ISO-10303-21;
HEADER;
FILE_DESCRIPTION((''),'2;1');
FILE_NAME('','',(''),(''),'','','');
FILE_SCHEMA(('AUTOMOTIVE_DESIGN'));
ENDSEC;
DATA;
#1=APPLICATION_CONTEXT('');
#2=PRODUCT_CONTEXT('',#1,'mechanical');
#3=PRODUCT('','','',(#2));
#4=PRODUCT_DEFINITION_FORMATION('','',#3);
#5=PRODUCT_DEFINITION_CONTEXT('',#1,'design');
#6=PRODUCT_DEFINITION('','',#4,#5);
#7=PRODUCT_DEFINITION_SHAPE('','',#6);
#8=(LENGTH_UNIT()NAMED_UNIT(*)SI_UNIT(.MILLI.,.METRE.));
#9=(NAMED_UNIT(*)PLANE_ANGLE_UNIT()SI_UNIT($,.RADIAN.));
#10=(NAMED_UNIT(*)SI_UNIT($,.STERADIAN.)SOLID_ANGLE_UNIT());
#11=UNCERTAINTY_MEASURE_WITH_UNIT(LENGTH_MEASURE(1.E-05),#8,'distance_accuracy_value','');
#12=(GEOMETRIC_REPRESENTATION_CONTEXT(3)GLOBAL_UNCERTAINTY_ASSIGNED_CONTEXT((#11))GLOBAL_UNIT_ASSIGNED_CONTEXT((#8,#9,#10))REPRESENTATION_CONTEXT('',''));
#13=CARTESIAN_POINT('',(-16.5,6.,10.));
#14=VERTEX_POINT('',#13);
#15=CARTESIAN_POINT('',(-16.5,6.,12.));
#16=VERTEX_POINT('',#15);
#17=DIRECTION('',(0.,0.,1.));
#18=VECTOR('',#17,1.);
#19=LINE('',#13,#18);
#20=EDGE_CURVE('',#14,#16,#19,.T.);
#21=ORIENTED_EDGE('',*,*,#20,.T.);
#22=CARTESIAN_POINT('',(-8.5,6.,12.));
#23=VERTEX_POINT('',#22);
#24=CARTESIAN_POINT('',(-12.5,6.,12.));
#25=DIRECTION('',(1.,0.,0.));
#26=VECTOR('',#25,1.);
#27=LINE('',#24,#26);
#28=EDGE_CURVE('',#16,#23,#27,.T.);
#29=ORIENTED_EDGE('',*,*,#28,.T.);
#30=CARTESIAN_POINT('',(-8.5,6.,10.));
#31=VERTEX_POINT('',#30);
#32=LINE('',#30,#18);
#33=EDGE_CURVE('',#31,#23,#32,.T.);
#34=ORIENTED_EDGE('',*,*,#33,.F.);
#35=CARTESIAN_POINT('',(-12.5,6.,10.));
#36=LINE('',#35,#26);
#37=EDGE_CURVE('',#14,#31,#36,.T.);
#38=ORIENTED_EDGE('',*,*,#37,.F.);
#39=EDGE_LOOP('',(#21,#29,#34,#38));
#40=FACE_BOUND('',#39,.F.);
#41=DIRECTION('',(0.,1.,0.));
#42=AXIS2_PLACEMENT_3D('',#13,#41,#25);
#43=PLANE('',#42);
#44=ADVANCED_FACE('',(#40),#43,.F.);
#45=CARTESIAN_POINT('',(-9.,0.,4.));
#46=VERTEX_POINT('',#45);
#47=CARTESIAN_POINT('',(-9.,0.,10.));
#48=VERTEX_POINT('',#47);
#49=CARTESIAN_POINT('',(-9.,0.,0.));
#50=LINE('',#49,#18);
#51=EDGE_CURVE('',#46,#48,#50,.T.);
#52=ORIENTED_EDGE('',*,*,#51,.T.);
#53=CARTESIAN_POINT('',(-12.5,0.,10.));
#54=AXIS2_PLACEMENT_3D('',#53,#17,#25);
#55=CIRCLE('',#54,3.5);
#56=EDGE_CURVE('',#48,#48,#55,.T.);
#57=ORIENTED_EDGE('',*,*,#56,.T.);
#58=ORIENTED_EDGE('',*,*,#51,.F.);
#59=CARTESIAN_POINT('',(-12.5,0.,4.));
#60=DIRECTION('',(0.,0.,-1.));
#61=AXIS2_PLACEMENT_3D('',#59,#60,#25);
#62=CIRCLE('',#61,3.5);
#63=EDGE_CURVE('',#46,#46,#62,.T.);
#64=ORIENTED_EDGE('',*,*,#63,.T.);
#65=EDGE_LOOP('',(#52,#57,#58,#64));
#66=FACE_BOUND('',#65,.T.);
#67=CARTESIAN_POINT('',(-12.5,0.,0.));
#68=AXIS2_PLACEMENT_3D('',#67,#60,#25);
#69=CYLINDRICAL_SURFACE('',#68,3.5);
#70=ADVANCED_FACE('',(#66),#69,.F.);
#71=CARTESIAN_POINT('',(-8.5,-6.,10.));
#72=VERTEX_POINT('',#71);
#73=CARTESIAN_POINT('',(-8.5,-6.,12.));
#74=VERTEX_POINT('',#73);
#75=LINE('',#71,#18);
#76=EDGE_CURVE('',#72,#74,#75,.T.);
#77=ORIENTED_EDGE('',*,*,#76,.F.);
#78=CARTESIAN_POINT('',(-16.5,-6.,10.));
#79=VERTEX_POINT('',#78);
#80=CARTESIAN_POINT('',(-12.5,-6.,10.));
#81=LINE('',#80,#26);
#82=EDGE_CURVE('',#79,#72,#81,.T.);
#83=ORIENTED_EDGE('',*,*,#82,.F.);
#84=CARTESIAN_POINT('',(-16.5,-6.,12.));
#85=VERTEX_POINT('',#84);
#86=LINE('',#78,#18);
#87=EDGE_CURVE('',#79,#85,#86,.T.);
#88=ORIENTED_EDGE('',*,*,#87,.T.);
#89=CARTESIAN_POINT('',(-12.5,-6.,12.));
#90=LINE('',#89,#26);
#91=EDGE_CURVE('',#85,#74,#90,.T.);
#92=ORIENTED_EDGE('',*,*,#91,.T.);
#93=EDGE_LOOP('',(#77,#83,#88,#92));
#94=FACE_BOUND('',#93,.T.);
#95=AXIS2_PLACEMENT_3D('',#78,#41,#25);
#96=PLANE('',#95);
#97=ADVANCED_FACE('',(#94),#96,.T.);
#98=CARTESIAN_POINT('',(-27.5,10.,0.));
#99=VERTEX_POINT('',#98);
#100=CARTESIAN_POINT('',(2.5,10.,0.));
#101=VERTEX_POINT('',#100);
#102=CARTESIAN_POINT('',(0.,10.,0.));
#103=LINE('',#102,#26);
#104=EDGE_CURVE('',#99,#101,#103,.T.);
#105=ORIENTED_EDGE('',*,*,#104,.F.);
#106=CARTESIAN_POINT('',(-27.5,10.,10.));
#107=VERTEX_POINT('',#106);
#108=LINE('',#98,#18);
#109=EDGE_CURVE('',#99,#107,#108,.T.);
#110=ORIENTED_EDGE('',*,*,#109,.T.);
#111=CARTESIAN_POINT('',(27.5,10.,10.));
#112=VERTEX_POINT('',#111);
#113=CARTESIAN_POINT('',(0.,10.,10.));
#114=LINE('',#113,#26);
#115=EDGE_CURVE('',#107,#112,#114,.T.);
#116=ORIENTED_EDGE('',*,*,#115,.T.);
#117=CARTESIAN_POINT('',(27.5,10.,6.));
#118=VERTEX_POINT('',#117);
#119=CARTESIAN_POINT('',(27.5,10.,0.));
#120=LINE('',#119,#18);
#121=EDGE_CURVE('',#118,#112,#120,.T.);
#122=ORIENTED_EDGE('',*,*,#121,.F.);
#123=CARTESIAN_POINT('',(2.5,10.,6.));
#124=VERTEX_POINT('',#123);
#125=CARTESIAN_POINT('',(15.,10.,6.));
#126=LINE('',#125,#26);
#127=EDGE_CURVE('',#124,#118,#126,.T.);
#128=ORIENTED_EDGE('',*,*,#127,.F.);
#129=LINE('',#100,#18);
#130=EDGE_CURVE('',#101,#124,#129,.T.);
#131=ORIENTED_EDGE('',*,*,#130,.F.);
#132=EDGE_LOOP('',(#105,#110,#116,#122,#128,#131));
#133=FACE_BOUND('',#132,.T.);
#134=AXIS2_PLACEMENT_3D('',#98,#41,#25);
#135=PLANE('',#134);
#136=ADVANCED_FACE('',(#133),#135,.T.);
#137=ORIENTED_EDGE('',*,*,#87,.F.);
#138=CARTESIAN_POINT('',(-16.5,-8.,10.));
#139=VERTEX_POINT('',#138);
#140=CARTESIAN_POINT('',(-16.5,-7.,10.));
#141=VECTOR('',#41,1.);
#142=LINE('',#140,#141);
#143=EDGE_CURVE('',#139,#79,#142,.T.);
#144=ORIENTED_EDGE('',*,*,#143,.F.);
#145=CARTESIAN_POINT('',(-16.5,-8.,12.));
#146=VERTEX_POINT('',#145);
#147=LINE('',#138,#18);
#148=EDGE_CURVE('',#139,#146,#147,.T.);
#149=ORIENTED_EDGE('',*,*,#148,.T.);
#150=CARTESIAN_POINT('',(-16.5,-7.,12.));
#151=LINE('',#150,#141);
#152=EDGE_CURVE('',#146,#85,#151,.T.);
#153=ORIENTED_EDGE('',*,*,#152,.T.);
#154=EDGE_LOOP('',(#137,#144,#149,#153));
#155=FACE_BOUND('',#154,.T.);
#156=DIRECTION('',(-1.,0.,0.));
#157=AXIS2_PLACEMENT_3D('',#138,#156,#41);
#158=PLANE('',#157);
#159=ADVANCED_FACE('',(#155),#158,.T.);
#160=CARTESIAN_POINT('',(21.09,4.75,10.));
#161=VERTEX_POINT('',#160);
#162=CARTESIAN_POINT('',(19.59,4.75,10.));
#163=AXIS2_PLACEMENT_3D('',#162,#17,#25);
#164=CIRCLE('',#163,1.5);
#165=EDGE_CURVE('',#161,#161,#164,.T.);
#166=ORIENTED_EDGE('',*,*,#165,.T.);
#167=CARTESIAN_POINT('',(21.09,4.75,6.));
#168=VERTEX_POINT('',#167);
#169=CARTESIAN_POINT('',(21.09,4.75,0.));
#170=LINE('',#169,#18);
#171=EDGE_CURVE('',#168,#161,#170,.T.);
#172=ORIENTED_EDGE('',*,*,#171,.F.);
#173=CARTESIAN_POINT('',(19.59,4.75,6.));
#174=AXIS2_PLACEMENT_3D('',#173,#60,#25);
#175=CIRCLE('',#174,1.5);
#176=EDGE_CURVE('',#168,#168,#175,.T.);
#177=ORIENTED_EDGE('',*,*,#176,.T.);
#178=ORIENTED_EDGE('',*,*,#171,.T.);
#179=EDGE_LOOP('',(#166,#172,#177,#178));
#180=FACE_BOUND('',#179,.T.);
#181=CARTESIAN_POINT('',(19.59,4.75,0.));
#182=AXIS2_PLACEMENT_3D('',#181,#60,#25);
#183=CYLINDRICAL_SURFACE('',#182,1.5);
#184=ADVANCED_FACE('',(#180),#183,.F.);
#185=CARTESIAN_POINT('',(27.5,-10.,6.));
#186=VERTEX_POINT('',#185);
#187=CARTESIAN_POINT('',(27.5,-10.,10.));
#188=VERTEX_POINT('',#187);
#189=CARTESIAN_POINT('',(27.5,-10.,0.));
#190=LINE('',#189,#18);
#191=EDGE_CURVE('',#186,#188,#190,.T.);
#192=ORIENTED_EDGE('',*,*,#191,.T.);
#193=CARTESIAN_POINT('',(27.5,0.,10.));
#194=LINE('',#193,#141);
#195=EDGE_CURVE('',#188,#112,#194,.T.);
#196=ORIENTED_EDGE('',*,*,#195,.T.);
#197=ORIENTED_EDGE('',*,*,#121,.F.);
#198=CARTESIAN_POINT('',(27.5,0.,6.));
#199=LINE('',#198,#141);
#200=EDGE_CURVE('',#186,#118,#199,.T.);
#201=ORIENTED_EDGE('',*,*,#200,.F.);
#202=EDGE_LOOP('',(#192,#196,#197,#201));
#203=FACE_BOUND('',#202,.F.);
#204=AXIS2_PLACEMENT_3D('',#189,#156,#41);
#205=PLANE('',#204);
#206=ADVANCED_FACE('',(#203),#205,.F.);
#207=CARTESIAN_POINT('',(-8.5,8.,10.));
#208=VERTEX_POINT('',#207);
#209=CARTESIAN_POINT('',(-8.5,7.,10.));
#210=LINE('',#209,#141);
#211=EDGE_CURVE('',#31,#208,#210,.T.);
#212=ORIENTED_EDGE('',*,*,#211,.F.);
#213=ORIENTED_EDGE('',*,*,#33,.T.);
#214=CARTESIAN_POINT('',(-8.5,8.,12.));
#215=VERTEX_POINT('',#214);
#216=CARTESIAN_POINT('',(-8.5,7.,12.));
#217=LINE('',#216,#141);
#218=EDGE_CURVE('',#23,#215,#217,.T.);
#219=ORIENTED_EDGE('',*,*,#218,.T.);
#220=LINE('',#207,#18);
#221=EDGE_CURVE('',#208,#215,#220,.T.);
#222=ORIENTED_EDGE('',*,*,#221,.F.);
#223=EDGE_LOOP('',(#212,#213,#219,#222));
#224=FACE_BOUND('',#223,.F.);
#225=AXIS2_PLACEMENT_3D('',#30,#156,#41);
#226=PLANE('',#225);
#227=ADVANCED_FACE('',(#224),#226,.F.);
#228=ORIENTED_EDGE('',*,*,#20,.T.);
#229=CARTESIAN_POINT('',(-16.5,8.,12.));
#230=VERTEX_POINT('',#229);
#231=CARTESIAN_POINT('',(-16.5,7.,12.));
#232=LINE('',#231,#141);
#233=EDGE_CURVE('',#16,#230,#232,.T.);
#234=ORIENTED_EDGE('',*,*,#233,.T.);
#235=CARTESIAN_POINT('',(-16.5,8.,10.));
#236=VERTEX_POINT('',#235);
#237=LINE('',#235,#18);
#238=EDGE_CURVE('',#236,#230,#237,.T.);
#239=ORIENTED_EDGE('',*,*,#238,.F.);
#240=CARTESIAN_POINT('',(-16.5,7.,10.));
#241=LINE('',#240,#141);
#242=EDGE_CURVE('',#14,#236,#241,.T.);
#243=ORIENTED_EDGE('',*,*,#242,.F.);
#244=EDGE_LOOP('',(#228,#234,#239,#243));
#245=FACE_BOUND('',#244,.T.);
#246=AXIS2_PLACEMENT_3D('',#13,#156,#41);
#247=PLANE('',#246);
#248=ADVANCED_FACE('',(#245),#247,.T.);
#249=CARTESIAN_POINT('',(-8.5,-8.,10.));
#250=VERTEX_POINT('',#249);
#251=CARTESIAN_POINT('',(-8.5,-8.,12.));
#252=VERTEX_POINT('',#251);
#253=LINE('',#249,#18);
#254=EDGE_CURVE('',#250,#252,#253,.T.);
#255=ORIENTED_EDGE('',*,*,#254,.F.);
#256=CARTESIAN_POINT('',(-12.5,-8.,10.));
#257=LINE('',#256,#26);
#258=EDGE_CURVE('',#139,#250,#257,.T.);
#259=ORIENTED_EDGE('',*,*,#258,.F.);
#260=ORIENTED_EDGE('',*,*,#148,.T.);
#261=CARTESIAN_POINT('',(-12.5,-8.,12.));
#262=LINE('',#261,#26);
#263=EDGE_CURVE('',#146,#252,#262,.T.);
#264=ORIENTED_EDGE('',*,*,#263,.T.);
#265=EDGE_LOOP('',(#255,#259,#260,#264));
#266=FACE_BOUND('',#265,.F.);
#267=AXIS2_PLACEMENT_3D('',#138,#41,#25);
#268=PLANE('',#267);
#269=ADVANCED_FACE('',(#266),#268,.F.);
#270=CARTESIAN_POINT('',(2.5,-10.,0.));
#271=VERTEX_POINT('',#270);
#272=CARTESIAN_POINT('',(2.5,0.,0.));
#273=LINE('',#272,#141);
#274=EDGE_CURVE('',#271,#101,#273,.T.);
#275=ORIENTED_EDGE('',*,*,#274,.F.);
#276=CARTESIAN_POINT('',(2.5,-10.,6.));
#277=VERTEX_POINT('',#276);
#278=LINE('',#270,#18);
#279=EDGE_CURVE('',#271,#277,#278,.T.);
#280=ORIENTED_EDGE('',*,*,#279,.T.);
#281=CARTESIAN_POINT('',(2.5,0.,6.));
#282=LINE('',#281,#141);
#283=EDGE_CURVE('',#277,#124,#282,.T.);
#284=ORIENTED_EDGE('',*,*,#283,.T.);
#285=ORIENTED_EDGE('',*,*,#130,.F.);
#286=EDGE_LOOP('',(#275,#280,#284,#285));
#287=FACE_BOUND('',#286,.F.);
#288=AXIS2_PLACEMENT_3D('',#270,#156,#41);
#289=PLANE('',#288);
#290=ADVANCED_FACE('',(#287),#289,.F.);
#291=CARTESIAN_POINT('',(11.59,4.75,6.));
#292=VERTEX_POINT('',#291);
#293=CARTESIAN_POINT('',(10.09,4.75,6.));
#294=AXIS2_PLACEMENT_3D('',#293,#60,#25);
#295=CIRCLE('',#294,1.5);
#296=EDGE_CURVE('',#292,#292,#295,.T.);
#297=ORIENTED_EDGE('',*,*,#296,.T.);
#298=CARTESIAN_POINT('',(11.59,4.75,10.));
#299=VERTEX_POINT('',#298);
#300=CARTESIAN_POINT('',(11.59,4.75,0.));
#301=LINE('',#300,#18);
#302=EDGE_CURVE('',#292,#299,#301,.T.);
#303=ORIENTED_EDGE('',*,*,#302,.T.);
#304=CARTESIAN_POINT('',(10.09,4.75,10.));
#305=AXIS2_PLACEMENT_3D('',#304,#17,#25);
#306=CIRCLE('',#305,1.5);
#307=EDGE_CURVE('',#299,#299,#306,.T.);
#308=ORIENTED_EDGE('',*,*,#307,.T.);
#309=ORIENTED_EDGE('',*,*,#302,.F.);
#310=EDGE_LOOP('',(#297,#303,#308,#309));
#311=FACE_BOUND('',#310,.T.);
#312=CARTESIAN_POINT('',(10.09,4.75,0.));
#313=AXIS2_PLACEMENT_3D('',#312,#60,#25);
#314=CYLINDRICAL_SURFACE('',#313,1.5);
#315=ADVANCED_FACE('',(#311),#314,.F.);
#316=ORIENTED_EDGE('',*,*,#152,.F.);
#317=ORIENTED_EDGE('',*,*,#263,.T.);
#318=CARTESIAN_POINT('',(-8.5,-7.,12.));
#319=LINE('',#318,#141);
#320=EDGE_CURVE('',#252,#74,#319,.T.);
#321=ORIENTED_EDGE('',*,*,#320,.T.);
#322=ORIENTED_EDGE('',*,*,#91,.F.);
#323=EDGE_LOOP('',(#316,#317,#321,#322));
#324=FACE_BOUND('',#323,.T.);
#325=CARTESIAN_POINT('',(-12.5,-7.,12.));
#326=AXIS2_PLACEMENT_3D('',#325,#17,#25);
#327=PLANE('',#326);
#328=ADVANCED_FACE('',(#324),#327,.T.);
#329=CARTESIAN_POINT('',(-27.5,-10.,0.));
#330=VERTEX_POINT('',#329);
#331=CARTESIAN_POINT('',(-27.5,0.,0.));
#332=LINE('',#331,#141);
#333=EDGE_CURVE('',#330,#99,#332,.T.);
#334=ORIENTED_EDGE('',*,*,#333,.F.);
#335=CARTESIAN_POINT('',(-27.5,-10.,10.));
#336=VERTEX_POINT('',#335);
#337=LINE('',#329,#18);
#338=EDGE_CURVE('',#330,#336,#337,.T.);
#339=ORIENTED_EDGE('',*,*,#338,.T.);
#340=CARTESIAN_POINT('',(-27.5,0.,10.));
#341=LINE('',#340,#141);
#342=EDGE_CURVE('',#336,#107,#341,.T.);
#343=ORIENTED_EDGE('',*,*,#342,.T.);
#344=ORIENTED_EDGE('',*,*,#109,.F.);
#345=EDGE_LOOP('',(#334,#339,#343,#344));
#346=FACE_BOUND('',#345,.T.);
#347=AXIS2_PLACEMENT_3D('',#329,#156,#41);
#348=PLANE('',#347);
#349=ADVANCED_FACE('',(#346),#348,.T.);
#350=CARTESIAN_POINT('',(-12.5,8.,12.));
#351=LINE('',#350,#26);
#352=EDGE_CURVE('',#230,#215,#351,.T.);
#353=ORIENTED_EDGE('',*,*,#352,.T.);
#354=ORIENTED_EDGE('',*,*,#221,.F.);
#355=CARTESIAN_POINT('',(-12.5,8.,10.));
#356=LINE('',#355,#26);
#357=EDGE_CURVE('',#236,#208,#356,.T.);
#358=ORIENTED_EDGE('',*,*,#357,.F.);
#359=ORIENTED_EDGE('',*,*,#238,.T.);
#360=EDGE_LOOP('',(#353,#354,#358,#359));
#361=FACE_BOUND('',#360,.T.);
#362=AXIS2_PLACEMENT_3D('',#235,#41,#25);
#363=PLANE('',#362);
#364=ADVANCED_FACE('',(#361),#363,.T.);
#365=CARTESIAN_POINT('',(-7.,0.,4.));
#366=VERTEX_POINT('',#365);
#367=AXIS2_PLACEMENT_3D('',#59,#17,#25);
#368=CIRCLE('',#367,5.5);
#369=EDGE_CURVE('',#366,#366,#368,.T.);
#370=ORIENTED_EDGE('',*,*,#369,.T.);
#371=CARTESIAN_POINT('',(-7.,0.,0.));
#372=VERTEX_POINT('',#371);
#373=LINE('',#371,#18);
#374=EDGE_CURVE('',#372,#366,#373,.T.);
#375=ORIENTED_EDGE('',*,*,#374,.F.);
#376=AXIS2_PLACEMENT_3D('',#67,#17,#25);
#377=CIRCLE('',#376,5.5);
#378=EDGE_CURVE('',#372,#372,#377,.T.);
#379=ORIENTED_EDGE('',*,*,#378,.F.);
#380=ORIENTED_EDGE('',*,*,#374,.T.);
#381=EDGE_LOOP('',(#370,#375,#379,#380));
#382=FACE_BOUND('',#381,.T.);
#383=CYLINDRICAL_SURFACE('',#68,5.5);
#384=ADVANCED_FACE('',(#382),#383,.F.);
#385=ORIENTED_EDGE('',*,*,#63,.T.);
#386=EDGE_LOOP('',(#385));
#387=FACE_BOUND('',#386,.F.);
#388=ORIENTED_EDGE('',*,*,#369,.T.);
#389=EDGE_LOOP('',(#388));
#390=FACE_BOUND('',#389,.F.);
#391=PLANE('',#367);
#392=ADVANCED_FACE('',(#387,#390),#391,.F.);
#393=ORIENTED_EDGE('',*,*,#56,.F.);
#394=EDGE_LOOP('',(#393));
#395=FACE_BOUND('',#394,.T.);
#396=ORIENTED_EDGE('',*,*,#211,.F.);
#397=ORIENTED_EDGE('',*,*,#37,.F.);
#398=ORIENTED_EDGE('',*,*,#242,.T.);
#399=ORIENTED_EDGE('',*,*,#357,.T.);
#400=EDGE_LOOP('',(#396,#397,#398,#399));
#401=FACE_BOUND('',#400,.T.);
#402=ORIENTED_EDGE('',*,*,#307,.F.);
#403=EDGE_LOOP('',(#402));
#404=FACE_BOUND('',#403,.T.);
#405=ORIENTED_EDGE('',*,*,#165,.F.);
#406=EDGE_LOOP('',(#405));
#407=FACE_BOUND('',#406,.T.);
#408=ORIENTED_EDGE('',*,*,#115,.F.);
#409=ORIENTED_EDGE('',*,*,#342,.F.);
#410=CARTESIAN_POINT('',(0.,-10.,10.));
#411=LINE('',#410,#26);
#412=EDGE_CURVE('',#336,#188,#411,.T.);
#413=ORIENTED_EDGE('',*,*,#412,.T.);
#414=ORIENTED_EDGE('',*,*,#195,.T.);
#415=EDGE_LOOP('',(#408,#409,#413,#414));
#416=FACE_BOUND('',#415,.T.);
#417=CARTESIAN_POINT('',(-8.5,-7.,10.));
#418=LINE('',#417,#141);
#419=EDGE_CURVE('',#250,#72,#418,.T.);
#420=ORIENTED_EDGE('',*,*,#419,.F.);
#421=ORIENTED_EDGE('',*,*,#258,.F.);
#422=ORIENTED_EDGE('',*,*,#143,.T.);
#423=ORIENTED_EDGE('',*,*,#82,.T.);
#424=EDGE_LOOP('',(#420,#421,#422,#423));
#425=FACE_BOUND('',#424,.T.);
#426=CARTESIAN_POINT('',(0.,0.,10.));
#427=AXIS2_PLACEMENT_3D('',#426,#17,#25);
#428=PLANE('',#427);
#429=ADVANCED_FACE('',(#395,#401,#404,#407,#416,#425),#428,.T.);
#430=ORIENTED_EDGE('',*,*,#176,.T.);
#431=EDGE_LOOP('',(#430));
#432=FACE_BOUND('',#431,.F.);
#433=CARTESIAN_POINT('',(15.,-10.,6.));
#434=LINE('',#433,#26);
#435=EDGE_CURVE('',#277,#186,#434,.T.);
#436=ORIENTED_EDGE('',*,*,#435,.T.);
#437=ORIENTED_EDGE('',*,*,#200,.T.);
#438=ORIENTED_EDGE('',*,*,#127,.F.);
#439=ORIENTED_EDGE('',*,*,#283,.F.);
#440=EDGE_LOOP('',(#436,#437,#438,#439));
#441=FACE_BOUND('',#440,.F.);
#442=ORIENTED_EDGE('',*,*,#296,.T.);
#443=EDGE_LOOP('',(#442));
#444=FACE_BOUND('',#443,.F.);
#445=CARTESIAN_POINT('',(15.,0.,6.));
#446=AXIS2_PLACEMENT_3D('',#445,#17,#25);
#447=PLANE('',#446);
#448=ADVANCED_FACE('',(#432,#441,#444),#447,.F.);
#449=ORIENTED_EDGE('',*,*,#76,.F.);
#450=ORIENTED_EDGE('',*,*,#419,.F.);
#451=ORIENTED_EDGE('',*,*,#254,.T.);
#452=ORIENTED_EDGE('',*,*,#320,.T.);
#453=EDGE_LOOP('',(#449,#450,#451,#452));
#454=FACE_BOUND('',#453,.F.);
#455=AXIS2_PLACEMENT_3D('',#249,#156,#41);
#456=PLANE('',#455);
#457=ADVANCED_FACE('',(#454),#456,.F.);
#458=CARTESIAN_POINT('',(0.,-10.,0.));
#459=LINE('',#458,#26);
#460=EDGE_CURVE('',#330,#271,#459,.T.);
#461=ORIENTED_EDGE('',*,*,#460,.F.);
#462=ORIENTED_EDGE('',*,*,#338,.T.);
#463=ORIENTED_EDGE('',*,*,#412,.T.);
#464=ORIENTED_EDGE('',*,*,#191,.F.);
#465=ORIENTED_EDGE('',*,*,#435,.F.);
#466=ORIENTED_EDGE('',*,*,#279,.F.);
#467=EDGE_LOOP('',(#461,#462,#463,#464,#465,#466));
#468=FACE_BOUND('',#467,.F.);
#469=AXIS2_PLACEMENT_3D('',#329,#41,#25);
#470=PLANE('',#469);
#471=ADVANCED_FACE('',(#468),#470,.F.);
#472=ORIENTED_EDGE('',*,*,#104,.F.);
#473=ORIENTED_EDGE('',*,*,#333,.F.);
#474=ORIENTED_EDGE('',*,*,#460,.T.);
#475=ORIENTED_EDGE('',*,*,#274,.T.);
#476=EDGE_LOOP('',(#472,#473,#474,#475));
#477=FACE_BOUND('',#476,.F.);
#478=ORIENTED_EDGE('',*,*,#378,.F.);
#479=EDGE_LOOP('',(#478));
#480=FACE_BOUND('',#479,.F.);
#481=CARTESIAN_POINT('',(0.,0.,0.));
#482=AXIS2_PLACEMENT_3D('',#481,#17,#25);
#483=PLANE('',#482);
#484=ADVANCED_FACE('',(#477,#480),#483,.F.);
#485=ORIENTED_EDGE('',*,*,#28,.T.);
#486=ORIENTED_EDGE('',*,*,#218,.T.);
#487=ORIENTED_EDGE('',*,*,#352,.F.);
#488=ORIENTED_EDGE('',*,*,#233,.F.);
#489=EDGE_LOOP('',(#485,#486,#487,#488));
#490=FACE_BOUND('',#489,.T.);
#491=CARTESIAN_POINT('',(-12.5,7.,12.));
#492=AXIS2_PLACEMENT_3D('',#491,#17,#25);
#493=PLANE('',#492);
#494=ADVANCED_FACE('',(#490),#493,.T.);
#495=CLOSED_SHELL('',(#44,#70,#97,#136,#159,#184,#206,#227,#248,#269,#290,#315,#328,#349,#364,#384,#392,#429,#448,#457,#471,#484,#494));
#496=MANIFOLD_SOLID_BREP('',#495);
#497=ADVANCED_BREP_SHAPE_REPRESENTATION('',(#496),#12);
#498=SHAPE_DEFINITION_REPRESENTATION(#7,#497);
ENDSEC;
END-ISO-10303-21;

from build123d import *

# Parameters (mm, degrees)
F0_W     = 55
F0_H     = 20
F0_R     = 3.5
F0_R_2   = 1.5
F1_DEPTH = 10
F2_W     = 8
F2_H     = 2
F3_DEPTH = 2
F4_R     = 5.5
F5_DEPTH = 4
F6_W     = 25
F6_H     = 20
F7_DEPTH = 6


with BuildPart() as f1:
    # F0 (on Top) → F1 (new body)
    with BuildSketch(Plane.XY):
        Rectangle(F0_W, F0_H)
        with Locations((-12.5, 0)):
            Circle(F0_R, mode=Mode.SUBTRACT)
        with Locations((10.09, 4.75)):
            Circle(F0_R_2, mode=Mode.SUBTRACT)
        with Locations((19.59, 4.75)):
            Circle(F0_R_2, mode=Mode.SUBTRACT)
    extrude(amount=F1_DEPTH)

    # F2 (on face) → F3 (join)
    with BuildSketch(Plane.XY.offset(10)):
        with Locations((-12.5, 7)):
            Rectangle(F2_W, F2_H)
        with Locations((-12.5, -7)):
            Rectangle(F2_W, F2_H)
    extrude(amount=F3_DEPTH)

    # F4 (on Top) → F5 (cut)
    with BuildSketch(Plane.XY):
        with Locations((-12.5, 0)):
            Circle(F4_R)
    extrude(amount=F5_DEPTH, mode=Mode.SUBTRACT)

    # F6 (on Top) → F7 (cut)
    with BuildSketch(Plane.XY):
        with Locations((15, 0)):
            Rectangle(F6_W, F6_H)
    extrude(amount=F7_DEPTH, mode=Mode.SUBTRACT)


solid = f1.part
